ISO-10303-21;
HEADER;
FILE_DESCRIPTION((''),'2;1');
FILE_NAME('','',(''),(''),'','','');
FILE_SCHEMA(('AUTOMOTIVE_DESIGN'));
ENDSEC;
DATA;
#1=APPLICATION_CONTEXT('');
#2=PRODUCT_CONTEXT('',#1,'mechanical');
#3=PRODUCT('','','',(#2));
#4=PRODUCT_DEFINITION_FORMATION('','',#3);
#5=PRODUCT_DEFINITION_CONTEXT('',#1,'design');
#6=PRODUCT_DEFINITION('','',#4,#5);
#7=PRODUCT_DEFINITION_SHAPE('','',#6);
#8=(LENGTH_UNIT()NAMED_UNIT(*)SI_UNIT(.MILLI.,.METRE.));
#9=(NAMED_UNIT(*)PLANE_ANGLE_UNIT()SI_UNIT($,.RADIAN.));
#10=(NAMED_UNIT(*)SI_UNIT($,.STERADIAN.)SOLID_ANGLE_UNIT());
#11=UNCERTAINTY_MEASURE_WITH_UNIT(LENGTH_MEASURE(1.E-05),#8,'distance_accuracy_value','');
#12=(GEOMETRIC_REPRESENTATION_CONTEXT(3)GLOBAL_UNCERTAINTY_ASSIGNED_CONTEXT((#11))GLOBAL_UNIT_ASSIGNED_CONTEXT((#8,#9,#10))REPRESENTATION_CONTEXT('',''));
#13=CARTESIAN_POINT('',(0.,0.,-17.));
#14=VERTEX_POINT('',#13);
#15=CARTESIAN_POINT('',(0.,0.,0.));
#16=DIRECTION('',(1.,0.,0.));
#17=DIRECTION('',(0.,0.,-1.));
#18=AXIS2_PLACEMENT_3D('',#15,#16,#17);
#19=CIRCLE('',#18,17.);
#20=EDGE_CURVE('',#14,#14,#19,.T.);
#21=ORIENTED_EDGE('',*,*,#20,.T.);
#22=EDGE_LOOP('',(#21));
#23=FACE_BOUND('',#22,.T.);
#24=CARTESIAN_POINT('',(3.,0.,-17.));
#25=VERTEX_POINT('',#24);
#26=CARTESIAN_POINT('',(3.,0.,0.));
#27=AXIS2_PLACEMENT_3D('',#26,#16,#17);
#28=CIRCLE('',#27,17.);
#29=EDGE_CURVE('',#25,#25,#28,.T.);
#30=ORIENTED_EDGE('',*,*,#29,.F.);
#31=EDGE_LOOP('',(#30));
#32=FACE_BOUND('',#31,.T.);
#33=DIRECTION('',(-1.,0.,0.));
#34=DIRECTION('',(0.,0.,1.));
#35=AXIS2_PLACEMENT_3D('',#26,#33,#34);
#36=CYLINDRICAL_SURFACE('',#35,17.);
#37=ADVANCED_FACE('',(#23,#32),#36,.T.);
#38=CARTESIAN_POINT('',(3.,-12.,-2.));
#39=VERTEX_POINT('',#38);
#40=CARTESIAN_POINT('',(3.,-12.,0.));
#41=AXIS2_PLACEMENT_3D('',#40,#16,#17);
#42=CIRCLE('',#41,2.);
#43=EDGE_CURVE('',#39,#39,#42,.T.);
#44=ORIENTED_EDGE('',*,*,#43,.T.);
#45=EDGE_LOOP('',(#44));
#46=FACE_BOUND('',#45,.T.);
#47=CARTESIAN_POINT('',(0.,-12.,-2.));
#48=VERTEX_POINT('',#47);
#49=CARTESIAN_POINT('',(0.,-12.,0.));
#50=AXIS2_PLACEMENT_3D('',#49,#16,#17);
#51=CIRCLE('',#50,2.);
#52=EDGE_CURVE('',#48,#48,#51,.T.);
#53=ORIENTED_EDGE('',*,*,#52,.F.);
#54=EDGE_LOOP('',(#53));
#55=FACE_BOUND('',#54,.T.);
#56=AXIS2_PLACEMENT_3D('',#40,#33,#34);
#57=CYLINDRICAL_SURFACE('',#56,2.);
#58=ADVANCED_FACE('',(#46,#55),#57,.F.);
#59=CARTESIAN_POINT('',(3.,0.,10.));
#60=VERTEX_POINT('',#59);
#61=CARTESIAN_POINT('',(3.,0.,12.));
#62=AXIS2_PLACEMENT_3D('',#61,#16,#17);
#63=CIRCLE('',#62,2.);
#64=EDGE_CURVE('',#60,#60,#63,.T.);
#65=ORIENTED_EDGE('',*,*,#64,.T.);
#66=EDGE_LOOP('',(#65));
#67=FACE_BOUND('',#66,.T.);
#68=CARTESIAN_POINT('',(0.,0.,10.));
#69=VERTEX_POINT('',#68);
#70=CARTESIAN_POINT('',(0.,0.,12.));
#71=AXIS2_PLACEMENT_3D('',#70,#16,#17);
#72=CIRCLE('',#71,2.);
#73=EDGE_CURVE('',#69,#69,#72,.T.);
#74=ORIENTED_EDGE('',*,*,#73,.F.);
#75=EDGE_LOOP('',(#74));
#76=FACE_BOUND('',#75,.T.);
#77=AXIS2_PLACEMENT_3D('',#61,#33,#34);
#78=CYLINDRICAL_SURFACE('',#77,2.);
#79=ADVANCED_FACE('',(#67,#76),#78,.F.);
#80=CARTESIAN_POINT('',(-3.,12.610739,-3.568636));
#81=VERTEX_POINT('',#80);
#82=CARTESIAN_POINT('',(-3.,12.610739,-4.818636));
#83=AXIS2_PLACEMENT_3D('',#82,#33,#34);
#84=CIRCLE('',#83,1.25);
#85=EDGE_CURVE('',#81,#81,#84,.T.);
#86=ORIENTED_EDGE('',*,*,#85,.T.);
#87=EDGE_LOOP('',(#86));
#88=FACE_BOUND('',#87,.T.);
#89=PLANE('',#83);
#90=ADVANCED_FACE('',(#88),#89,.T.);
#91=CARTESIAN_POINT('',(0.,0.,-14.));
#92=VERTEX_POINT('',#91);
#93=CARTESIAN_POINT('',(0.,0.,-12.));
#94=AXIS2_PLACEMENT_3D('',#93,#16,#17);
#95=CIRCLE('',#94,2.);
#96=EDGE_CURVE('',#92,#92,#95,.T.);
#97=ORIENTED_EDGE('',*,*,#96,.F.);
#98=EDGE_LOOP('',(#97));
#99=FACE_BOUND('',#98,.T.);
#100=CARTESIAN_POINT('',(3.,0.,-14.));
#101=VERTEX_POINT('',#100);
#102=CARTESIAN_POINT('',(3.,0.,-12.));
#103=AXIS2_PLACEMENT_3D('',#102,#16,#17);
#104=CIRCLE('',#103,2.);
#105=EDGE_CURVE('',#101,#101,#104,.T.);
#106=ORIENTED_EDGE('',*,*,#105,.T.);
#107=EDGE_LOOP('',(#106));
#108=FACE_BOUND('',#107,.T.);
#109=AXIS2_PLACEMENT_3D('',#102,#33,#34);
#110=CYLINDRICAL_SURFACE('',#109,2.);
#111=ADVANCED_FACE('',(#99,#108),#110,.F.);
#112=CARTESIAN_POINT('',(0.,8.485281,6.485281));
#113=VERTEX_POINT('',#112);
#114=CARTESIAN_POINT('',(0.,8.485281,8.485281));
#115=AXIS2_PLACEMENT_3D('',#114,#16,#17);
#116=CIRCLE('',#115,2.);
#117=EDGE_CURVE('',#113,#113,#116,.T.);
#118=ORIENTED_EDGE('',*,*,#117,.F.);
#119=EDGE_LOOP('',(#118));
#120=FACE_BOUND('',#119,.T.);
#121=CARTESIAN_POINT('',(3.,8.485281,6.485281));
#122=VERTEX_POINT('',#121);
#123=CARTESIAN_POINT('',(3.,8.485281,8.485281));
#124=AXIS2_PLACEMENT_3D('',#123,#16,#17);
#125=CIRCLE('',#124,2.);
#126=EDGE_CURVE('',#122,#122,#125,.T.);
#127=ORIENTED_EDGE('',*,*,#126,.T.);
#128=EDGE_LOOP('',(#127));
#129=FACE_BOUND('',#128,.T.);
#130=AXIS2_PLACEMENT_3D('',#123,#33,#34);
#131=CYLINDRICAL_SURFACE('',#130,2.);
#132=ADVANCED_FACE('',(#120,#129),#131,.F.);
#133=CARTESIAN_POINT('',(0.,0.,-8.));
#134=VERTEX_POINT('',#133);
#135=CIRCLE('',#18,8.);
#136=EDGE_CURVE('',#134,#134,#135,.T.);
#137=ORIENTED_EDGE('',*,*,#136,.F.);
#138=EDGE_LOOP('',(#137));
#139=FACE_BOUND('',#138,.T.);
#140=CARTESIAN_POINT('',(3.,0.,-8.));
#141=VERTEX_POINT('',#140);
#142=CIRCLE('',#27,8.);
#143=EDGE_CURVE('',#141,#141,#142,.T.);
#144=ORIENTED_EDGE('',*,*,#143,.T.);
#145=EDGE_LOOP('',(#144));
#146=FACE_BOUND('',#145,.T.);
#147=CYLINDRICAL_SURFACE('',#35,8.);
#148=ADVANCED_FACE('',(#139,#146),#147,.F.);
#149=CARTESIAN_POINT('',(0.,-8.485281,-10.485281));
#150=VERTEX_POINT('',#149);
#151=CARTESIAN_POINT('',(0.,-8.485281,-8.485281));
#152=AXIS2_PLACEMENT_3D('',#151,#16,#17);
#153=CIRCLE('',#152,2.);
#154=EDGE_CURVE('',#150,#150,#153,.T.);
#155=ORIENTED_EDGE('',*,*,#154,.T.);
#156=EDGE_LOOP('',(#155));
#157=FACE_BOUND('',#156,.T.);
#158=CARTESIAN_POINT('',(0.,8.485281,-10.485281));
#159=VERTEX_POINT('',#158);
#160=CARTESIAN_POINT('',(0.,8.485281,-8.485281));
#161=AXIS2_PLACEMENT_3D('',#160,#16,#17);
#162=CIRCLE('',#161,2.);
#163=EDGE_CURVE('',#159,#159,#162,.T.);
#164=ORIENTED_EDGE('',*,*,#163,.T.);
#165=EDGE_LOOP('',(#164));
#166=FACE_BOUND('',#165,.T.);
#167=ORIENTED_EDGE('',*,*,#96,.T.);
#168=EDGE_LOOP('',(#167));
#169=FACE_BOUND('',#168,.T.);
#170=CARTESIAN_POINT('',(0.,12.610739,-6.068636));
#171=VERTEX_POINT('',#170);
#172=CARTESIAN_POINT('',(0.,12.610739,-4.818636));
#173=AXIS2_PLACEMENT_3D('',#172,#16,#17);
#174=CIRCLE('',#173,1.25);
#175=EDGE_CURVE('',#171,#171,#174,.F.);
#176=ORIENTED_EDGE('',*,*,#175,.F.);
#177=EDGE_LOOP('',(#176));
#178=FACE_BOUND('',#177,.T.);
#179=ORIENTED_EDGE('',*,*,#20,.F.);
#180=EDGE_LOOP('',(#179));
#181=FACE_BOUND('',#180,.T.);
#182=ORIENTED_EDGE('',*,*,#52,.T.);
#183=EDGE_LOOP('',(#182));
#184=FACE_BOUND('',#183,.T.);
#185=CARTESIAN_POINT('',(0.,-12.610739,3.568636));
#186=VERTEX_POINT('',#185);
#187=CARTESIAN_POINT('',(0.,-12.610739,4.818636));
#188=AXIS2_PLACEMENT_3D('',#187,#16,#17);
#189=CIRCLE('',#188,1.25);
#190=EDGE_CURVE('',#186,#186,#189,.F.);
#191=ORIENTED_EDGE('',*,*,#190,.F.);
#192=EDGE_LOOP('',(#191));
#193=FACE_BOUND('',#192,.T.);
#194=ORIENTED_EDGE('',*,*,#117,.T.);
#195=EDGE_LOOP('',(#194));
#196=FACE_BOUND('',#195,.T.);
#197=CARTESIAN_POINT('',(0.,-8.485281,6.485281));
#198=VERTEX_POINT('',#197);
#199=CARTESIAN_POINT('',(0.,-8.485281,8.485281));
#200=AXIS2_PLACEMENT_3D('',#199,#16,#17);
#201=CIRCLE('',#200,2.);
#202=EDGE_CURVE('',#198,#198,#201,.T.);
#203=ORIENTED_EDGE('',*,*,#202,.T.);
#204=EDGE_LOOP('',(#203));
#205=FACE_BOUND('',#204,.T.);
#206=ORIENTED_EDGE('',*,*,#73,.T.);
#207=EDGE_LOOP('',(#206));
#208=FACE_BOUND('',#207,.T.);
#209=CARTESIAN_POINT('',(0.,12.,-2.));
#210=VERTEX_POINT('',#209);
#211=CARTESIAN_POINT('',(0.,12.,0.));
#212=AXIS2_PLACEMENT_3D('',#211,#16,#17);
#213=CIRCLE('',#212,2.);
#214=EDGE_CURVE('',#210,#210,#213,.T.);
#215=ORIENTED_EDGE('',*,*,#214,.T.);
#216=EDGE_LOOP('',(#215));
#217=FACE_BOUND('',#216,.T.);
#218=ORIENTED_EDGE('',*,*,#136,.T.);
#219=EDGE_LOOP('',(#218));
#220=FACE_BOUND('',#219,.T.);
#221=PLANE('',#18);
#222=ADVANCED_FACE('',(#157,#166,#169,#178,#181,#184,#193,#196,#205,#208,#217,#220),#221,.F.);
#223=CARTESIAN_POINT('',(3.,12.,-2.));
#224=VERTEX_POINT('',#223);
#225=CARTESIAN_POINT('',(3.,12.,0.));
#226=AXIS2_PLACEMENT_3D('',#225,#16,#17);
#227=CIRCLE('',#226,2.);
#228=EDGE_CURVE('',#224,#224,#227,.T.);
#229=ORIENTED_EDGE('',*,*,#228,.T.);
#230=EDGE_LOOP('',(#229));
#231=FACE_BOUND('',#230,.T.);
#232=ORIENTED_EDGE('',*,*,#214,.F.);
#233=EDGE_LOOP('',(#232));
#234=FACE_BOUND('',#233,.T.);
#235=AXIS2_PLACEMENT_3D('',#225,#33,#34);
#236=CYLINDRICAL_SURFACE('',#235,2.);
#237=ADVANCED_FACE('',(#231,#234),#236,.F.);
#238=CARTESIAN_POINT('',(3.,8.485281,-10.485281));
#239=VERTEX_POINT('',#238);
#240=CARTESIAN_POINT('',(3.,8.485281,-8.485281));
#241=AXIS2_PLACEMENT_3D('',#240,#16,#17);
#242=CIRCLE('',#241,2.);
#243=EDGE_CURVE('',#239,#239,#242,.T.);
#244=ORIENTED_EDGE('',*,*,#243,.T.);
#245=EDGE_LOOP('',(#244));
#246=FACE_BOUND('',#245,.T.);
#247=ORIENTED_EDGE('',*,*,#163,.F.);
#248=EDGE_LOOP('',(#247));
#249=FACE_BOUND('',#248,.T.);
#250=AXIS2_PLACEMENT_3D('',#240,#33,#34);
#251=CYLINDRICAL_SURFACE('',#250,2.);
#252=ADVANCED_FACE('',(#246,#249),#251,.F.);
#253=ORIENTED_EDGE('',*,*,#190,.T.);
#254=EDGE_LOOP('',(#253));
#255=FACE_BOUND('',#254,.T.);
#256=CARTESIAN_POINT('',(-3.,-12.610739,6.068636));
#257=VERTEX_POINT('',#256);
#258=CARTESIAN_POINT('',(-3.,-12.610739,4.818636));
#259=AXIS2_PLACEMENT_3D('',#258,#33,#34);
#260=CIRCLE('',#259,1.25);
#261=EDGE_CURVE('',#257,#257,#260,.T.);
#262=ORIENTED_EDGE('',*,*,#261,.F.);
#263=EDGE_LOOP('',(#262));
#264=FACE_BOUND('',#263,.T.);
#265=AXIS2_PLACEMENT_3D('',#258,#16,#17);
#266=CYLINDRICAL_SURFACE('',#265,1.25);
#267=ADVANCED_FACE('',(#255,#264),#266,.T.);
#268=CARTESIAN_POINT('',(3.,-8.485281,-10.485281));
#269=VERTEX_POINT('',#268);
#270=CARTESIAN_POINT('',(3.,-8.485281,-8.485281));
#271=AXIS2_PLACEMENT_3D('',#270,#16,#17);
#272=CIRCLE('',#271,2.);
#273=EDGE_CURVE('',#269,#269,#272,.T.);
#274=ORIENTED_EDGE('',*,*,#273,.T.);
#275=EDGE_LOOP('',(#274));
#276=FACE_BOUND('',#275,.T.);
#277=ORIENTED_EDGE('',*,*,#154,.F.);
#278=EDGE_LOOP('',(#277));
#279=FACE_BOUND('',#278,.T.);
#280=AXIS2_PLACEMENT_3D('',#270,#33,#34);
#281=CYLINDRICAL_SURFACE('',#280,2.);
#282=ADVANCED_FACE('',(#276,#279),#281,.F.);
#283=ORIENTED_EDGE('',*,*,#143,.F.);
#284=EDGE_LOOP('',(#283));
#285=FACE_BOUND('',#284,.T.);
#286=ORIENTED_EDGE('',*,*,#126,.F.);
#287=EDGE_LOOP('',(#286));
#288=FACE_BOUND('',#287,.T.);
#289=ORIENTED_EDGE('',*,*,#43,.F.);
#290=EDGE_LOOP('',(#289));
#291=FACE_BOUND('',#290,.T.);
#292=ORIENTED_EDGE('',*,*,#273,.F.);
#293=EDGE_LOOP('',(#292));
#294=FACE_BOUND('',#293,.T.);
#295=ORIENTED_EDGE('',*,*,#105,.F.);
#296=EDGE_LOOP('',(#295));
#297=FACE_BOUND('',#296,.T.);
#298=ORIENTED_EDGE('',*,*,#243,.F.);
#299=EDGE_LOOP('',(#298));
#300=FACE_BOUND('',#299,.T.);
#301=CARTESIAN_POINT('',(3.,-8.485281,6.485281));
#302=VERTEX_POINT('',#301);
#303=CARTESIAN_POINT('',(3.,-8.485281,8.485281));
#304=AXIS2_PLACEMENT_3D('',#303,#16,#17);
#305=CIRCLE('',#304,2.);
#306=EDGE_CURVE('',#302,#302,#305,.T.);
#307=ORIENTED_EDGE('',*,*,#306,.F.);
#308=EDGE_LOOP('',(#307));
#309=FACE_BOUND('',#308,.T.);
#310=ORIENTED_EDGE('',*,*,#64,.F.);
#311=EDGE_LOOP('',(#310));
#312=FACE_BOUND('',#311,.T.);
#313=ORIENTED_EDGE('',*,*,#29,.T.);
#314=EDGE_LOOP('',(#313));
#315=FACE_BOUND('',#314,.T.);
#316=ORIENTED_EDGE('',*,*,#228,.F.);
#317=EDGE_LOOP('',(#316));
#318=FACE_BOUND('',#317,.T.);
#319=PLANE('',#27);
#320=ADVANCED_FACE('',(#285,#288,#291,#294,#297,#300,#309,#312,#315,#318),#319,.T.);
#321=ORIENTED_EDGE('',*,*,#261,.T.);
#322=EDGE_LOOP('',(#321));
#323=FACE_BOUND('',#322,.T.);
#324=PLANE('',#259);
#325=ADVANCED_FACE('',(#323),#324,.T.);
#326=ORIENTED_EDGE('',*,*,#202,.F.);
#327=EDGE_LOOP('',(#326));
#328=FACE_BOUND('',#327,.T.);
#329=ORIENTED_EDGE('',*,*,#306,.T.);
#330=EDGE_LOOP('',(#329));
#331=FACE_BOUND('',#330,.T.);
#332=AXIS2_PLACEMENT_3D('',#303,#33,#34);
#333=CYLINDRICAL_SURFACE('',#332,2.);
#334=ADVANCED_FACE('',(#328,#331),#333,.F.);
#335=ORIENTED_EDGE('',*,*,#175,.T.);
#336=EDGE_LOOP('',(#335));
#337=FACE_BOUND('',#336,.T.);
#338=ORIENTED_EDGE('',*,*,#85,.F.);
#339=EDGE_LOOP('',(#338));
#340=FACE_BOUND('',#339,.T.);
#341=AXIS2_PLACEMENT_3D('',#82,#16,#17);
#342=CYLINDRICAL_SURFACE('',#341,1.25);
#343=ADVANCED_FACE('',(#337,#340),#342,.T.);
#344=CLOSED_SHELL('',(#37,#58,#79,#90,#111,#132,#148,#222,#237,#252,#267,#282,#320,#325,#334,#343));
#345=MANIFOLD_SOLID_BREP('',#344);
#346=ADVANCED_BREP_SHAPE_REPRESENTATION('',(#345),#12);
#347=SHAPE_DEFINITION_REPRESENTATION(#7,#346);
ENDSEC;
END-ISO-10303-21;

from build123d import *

# Parameters (mm, degrees)
SKETCH1_R           = 17
SKETCH1_R_2         = 2
SKETCH1_R_3         = 8
BOSS_EXTRUDE1_DEPTH = 3
SKETCH2_R           = 1.25
BOSS_EXTRUDE2_DEPTH = 3


with BuildPart() as part:
    # Sketch1 → Boss-Extrude1 (new body)
    with BuildSketch(Plane(origin=(0, 0, 0), x_dir=(0, 0, -1), z_dir=(1, 0, 0))):
        Circle(SKETCH1_R)
        with Locations((0, 12)):
            Circle(SKETCH1_R_2, mode=Mode.SUBTRACT)
        with Locations((8.485281374, 8.485281374)):
            Circle(SKETCH1_R_2, mode=Mode.SUBTRACT)
        with Locations((12, 0)):
            Circle(SKETCH1_R_2, mode=Mode.SUBTRACT)
        with Locations((8.485281374, -8.485281374)):
            Circle(SKETCH1_R_2, mode=Mode.SUBTRACT)
        with Locations((0, -12)):
            Circle(SKETCH1_R_2, mode=Mode.SUBTRACT)
        with Locations((-8.485281374, -8.485281374)):
            Circle(SKETCH1_R_2, mode=Mode.SUBTRACT)
        with Locations((-12, 0)):
            Circle(SKETCH1_R_2, mode=Mode.SUBTRACT)
        with Locations((-8.485281374, 8.485281374)):
            Circle(SKETCH1_R_2, mode=Mode.SUBTRACT)
        Circle(SKETCH1_R_3, mode=Mode.SUBTRACT)
    extrude(amount=BOSS_EXTRUDE1_DEPTH)

    # Sketch2 → Boss-Extrude2 (add)
    with BuildSketch(Plane.ZY):
        with Locations(Location((-4.818635741, 12.610739455, 0), (0, 0, 180))):
            Circle(SKETCH2_R)
        with Locations(Location((4.818635741, -12.610739455, 0), (0, 0, 180))):
            Circle(SKETCH2_R)
    extrude(amount=BOSS_EXTRUDE2_DEPTH)


solid = part.part
